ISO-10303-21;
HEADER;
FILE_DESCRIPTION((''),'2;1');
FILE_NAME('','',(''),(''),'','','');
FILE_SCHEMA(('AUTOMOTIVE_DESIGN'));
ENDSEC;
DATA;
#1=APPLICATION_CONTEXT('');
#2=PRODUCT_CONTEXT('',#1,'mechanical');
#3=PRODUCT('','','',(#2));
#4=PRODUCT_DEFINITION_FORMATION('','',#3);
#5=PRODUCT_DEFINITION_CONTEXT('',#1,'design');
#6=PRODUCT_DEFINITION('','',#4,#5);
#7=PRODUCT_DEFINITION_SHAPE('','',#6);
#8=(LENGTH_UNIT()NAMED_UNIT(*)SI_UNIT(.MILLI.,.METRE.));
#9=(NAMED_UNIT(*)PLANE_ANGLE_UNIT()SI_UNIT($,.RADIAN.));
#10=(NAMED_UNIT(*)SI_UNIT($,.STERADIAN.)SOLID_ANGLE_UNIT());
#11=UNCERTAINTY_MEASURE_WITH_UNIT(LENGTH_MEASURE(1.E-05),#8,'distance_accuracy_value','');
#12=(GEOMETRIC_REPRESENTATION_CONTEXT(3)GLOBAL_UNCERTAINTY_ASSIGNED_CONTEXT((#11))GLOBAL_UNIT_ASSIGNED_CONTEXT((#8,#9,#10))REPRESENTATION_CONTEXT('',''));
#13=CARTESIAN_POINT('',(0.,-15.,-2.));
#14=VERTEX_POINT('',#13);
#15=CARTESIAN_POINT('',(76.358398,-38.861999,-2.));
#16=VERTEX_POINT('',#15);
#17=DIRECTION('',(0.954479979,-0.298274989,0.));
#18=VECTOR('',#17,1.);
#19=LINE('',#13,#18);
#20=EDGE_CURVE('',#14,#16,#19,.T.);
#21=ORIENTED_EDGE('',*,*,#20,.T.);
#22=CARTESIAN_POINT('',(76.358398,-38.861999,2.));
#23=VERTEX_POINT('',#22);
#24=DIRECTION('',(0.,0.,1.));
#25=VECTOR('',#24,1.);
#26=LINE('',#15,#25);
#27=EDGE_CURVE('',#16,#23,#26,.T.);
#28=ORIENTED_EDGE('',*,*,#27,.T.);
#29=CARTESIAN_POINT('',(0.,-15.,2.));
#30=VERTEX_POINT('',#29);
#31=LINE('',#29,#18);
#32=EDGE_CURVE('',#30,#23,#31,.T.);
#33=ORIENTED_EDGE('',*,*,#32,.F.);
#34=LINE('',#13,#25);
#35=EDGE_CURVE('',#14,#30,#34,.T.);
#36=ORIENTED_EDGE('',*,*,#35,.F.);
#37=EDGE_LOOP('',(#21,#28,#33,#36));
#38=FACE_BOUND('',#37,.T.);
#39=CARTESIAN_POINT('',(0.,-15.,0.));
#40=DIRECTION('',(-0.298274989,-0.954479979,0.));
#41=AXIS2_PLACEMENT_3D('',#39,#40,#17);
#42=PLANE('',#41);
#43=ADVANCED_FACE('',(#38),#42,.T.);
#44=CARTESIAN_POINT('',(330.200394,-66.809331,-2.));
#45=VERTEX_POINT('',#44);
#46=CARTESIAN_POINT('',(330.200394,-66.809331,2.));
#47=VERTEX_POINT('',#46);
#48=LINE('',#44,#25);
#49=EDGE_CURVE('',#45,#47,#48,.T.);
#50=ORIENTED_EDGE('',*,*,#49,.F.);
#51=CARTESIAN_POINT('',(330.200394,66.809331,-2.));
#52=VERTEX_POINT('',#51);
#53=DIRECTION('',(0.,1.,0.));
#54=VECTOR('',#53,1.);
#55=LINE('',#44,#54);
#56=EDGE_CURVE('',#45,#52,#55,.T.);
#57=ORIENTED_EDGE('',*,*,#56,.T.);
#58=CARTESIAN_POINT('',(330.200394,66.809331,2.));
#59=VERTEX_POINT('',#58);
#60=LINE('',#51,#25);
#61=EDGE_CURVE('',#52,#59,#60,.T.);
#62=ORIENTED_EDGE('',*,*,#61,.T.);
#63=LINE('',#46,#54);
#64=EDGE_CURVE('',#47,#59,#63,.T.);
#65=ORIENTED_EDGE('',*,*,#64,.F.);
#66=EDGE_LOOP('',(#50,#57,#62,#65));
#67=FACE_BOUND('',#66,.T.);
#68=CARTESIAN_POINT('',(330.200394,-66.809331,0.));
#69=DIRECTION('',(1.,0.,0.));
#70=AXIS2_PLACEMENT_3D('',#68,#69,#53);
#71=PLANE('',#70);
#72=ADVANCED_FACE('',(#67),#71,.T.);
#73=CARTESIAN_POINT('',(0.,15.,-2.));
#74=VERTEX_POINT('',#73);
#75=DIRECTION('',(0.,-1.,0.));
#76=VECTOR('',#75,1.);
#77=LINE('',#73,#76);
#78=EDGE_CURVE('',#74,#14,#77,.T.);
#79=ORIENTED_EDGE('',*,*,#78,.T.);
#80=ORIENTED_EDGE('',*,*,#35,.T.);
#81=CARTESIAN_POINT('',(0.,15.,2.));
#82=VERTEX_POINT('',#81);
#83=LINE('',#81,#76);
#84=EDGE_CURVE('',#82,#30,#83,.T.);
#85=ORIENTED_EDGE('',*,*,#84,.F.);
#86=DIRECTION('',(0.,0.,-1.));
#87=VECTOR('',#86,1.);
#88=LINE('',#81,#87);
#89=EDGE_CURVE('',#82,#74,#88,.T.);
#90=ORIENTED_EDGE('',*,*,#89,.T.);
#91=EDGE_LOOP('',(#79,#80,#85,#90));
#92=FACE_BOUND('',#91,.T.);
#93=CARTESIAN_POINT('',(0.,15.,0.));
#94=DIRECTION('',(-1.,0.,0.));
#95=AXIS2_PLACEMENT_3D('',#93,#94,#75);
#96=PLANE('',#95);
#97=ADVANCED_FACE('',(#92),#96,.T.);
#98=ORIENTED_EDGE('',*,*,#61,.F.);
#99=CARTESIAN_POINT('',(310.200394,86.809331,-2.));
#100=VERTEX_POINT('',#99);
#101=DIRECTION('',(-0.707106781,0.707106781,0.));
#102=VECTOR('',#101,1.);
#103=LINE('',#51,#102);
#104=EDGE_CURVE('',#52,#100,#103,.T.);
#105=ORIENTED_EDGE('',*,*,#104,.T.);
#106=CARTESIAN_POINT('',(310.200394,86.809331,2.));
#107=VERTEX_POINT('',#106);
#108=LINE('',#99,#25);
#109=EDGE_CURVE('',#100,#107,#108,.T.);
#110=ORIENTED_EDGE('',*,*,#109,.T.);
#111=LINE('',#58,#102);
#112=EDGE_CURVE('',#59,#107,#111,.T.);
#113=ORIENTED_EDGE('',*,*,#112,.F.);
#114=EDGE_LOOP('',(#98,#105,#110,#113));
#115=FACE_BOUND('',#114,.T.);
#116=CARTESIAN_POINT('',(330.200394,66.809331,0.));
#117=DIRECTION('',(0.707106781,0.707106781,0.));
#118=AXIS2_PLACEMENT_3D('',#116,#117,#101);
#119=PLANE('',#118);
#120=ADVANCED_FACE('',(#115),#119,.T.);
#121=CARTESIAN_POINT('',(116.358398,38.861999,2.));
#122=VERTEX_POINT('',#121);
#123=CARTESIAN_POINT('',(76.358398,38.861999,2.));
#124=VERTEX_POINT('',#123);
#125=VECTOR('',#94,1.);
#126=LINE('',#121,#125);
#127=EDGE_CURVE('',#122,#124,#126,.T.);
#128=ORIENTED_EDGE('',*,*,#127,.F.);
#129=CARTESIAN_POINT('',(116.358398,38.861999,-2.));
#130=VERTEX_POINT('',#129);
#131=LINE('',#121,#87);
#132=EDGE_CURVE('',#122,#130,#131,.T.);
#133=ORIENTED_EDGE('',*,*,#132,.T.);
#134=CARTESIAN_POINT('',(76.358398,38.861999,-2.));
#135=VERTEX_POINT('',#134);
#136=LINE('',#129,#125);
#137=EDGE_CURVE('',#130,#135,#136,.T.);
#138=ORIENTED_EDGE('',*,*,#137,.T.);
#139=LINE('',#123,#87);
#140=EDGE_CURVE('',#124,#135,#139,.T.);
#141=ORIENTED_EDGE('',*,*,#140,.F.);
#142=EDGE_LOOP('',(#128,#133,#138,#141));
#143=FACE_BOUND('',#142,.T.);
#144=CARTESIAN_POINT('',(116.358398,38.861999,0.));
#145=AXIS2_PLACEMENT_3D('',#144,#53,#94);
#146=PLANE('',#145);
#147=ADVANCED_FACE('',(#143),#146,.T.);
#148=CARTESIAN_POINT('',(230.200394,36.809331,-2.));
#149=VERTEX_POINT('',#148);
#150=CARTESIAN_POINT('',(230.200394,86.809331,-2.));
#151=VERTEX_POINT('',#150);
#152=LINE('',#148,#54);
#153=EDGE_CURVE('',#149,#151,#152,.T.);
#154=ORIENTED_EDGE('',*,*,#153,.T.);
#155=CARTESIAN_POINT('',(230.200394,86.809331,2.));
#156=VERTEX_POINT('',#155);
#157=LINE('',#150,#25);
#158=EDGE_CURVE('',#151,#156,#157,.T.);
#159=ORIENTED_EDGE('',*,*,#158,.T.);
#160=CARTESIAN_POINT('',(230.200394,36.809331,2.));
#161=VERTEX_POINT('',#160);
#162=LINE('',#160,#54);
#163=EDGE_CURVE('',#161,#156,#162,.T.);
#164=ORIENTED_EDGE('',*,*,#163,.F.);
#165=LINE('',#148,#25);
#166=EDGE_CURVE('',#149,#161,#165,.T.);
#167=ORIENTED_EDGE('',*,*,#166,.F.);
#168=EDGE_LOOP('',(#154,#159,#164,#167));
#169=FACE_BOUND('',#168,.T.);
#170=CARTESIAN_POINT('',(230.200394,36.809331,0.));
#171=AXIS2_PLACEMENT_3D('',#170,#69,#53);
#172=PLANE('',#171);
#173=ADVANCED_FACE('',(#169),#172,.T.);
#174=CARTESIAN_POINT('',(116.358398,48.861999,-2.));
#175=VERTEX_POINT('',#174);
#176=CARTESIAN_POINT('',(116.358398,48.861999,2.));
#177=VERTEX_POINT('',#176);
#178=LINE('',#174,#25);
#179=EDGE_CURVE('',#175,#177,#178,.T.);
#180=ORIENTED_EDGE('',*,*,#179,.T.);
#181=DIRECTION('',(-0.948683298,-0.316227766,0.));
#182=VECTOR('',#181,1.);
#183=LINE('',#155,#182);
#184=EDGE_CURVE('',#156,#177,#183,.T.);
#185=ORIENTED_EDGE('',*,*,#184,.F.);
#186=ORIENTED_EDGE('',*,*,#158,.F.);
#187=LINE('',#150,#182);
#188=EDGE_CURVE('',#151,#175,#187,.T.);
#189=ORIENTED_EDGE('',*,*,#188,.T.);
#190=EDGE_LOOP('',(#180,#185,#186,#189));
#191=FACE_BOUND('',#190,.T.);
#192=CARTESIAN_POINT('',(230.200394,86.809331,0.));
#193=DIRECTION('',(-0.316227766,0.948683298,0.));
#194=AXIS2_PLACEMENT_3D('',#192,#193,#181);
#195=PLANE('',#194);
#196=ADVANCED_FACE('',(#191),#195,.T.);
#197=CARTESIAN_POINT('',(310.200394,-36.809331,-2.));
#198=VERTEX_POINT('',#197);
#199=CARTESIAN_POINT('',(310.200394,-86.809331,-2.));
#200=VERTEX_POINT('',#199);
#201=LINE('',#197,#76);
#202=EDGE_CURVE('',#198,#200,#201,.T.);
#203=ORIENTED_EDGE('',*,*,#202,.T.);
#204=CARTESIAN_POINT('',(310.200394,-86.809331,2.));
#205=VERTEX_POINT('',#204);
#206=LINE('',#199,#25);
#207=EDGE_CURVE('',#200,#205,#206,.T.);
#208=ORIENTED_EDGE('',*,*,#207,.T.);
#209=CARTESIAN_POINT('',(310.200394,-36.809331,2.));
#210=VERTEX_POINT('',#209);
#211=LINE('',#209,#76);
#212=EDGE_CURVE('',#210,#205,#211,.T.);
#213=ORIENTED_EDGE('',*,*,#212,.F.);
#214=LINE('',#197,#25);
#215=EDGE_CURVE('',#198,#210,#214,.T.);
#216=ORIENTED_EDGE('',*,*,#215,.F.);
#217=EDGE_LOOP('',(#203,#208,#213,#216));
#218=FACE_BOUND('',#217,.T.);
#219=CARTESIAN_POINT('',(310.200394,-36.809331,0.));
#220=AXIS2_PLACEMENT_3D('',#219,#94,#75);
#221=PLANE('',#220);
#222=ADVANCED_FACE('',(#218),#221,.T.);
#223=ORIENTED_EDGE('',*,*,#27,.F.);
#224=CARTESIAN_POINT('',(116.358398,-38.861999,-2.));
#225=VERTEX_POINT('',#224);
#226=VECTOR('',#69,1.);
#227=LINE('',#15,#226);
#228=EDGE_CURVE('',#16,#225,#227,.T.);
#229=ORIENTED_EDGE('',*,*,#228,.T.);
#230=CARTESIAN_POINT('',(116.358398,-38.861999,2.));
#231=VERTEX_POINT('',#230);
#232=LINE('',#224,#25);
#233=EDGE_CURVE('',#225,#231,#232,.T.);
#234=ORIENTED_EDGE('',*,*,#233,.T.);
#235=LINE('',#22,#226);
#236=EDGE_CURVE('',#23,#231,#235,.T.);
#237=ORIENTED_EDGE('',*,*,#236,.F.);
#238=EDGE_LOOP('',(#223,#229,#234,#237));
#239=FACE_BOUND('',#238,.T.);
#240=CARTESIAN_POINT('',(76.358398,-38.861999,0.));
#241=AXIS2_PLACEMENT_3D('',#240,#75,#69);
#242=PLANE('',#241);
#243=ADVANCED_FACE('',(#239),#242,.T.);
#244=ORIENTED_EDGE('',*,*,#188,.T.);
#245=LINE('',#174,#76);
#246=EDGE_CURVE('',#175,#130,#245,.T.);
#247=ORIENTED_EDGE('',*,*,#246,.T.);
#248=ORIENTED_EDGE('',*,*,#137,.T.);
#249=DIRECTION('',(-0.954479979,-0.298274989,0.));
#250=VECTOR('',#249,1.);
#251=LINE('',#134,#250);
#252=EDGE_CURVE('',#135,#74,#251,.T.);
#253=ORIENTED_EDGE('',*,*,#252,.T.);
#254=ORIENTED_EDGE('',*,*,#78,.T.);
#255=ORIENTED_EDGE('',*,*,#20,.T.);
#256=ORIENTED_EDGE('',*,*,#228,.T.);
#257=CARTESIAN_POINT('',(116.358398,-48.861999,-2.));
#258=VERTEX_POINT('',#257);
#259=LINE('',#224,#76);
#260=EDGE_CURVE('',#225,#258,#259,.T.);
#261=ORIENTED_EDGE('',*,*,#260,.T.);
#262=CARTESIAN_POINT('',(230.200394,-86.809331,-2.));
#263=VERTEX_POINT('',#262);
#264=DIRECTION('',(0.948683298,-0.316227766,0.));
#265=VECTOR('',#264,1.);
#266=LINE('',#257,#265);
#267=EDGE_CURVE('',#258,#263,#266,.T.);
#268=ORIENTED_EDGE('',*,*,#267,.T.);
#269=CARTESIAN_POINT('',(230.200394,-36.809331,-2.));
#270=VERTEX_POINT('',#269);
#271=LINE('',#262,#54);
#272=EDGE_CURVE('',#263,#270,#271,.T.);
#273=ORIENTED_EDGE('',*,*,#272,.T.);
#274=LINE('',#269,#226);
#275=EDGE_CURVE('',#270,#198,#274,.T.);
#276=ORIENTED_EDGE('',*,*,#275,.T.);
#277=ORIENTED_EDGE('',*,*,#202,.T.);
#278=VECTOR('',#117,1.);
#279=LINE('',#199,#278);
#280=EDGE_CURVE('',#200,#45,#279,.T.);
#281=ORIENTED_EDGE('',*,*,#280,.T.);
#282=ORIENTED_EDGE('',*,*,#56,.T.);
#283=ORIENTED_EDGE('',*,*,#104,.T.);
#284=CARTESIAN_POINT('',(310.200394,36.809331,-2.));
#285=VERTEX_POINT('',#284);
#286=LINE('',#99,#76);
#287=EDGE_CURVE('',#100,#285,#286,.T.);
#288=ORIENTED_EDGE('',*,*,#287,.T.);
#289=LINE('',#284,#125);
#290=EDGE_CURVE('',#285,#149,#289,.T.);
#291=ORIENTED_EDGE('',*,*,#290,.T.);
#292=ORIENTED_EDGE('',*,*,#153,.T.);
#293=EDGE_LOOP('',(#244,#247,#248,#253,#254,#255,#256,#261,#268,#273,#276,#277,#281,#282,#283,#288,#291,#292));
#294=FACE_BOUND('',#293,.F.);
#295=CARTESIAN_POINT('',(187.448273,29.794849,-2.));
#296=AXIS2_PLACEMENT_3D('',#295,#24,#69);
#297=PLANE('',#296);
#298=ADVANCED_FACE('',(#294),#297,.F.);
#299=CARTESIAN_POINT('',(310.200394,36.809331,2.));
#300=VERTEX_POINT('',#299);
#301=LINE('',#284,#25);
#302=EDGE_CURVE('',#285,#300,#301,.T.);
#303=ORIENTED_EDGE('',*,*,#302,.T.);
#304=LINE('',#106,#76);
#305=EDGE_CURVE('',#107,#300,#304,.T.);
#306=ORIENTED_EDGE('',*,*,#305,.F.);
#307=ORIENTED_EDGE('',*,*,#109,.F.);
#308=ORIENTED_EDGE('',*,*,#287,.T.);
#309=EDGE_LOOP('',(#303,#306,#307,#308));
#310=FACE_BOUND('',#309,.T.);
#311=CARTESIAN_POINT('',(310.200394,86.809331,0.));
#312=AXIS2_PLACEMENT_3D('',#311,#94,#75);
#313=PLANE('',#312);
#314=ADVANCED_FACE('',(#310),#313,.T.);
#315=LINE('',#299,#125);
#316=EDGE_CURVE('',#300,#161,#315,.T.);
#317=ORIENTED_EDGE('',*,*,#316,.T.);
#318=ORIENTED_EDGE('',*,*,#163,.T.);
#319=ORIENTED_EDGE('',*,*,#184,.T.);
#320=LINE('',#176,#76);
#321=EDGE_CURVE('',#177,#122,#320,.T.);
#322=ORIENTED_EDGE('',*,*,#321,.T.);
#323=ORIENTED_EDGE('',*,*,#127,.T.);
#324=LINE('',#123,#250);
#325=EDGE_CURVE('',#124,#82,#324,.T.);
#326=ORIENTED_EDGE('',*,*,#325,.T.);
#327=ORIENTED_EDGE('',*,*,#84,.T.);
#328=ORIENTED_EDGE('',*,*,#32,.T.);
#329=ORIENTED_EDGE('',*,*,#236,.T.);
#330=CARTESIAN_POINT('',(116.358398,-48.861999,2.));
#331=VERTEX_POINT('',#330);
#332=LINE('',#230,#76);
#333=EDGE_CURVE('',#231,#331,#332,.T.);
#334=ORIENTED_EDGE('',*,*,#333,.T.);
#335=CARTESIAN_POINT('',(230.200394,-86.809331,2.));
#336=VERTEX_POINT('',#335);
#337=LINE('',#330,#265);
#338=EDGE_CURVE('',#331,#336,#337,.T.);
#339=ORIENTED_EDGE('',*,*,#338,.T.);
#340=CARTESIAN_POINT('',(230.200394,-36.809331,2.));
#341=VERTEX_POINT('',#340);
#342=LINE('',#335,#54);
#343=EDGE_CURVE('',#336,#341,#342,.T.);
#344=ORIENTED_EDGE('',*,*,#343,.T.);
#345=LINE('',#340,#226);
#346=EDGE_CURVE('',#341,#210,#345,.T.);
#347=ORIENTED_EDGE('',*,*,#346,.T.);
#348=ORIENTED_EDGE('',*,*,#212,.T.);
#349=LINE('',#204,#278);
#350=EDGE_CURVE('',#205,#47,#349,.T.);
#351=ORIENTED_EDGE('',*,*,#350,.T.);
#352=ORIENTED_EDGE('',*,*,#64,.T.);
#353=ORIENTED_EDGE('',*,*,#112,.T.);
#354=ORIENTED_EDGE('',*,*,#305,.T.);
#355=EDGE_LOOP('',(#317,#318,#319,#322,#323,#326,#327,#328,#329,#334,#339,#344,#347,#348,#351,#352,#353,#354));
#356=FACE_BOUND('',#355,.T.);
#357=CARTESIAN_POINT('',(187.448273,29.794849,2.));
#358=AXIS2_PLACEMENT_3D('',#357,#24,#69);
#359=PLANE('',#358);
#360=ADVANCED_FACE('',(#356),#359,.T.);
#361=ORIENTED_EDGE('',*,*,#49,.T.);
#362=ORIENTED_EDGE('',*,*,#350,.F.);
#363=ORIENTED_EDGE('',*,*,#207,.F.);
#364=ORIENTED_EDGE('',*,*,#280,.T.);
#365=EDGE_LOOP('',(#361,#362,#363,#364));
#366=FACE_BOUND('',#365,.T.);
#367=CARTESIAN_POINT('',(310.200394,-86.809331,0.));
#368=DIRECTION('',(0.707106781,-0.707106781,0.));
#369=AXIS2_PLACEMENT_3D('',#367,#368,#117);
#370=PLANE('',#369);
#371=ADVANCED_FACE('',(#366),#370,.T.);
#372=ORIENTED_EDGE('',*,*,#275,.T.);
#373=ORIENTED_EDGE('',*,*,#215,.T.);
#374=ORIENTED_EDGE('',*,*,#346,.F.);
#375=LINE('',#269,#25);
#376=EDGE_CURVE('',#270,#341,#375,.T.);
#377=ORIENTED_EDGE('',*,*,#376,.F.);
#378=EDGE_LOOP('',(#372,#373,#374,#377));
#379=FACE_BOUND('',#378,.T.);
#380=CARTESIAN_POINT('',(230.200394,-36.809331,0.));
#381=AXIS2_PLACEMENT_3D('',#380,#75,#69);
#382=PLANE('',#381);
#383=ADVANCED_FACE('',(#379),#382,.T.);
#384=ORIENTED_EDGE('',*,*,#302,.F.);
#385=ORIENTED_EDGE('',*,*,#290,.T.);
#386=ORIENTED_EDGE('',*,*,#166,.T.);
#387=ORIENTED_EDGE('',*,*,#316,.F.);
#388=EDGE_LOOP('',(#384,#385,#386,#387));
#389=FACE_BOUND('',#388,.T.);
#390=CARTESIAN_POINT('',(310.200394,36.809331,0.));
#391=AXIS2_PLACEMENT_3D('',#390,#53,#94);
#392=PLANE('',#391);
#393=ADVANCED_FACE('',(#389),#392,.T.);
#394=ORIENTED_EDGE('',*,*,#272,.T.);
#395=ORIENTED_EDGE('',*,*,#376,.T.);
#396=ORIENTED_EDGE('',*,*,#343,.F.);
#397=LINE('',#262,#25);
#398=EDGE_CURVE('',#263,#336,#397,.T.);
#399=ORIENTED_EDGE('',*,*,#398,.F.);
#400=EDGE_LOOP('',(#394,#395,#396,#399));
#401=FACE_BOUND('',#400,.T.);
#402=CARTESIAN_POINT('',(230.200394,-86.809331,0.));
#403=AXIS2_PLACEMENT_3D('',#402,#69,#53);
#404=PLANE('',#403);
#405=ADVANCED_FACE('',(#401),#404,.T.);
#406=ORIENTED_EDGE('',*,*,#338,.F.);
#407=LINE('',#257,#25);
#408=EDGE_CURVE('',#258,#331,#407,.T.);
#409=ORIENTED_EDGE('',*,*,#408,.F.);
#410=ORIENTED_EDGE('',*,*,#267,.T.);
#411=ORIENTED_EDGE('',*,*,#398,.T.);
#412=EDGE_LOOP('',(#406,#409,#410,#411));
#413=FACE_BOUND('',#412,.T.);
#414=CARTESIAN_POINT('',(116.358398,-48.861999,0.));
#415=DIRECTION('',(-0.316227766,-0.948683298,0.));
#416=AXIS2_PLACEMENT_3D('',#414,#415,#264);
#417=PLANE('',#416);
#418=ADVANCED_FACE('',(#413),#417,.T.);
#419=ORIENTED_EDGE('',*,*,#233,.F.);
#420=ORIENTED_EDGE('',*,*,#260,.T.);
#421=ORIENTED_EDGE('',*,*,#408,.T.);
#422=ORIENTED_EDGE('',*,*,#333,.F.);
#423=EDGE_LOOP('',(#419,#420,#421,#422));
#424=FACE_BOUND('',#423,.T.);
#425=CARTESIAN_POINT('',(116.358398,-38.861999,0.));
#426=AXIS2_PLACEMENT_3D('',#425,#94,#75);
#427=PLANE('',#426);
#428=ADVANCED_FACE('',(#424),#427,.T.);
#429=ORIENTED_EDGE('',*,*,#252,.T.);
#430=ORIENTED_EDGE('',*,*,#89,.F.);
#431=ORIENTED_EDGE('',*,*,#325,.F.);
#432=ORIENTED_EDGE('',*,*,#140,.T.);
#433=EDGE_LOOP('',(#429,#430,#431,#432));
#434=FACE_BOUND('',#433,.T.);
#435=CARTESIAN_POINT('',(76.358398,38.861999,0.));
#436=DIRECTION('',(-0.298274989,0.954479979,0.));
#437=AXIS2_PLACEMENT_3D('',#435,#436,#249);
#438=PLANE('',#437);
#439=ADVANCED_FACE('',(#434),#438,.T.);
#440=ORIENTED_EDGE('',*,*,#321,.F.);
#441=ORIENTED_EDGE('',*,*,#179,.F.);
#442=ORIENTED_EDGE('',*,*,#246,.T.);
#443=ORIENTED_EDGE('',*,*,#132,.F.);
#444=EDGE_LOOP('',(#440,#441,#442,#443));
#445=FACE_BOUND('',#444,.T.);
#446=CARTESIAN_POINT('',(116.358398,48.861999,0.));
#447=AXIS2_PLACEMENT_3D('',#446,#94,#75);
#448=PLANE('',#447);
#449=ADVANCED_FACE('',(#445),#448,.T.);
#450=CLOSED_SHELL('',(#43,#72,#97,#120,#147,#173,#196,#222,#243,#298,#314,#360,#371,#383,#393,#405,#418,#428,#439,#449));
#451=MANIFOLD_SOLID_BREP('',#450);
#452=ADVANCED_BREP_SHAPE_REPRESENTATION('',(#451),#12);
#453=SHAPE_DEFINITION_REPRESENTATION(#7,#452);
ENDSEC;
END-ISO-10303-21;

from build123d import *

# Parameters (mm, degrees)
F1_DEPTH = 2


with BuildPart() as f1:
    # F0 (on Top) → F1 (new body, symmetric)
    with BuildSketch(Plane.XY):
        Polygon((0, 15), (0, 0), (330.200394, 0), (330.200394, 66.809331), (310.200394, 86.809331), (310.200394, 36.809331), (230.200394, 36.809331), (230.200394, 86.809331), (116.358398, 48.861999), (116.358398, 38.861999), (76.358398, 38.861999), align=None)
        Polygon((330.200394, 0), (0, 0), (0, -15), (76.358398, -38.861999), (116.358398, -38.861999), (116.358398, -48.861999), (230.200394, -86.809331), (230.200394, -36.809331), (310.200394, -36.809331), (310.200394, -86.809331), (330.200394, -66.809331), align=None)
    extrude(amount=F1_DEPTH, both=True)


solid = f1.part
